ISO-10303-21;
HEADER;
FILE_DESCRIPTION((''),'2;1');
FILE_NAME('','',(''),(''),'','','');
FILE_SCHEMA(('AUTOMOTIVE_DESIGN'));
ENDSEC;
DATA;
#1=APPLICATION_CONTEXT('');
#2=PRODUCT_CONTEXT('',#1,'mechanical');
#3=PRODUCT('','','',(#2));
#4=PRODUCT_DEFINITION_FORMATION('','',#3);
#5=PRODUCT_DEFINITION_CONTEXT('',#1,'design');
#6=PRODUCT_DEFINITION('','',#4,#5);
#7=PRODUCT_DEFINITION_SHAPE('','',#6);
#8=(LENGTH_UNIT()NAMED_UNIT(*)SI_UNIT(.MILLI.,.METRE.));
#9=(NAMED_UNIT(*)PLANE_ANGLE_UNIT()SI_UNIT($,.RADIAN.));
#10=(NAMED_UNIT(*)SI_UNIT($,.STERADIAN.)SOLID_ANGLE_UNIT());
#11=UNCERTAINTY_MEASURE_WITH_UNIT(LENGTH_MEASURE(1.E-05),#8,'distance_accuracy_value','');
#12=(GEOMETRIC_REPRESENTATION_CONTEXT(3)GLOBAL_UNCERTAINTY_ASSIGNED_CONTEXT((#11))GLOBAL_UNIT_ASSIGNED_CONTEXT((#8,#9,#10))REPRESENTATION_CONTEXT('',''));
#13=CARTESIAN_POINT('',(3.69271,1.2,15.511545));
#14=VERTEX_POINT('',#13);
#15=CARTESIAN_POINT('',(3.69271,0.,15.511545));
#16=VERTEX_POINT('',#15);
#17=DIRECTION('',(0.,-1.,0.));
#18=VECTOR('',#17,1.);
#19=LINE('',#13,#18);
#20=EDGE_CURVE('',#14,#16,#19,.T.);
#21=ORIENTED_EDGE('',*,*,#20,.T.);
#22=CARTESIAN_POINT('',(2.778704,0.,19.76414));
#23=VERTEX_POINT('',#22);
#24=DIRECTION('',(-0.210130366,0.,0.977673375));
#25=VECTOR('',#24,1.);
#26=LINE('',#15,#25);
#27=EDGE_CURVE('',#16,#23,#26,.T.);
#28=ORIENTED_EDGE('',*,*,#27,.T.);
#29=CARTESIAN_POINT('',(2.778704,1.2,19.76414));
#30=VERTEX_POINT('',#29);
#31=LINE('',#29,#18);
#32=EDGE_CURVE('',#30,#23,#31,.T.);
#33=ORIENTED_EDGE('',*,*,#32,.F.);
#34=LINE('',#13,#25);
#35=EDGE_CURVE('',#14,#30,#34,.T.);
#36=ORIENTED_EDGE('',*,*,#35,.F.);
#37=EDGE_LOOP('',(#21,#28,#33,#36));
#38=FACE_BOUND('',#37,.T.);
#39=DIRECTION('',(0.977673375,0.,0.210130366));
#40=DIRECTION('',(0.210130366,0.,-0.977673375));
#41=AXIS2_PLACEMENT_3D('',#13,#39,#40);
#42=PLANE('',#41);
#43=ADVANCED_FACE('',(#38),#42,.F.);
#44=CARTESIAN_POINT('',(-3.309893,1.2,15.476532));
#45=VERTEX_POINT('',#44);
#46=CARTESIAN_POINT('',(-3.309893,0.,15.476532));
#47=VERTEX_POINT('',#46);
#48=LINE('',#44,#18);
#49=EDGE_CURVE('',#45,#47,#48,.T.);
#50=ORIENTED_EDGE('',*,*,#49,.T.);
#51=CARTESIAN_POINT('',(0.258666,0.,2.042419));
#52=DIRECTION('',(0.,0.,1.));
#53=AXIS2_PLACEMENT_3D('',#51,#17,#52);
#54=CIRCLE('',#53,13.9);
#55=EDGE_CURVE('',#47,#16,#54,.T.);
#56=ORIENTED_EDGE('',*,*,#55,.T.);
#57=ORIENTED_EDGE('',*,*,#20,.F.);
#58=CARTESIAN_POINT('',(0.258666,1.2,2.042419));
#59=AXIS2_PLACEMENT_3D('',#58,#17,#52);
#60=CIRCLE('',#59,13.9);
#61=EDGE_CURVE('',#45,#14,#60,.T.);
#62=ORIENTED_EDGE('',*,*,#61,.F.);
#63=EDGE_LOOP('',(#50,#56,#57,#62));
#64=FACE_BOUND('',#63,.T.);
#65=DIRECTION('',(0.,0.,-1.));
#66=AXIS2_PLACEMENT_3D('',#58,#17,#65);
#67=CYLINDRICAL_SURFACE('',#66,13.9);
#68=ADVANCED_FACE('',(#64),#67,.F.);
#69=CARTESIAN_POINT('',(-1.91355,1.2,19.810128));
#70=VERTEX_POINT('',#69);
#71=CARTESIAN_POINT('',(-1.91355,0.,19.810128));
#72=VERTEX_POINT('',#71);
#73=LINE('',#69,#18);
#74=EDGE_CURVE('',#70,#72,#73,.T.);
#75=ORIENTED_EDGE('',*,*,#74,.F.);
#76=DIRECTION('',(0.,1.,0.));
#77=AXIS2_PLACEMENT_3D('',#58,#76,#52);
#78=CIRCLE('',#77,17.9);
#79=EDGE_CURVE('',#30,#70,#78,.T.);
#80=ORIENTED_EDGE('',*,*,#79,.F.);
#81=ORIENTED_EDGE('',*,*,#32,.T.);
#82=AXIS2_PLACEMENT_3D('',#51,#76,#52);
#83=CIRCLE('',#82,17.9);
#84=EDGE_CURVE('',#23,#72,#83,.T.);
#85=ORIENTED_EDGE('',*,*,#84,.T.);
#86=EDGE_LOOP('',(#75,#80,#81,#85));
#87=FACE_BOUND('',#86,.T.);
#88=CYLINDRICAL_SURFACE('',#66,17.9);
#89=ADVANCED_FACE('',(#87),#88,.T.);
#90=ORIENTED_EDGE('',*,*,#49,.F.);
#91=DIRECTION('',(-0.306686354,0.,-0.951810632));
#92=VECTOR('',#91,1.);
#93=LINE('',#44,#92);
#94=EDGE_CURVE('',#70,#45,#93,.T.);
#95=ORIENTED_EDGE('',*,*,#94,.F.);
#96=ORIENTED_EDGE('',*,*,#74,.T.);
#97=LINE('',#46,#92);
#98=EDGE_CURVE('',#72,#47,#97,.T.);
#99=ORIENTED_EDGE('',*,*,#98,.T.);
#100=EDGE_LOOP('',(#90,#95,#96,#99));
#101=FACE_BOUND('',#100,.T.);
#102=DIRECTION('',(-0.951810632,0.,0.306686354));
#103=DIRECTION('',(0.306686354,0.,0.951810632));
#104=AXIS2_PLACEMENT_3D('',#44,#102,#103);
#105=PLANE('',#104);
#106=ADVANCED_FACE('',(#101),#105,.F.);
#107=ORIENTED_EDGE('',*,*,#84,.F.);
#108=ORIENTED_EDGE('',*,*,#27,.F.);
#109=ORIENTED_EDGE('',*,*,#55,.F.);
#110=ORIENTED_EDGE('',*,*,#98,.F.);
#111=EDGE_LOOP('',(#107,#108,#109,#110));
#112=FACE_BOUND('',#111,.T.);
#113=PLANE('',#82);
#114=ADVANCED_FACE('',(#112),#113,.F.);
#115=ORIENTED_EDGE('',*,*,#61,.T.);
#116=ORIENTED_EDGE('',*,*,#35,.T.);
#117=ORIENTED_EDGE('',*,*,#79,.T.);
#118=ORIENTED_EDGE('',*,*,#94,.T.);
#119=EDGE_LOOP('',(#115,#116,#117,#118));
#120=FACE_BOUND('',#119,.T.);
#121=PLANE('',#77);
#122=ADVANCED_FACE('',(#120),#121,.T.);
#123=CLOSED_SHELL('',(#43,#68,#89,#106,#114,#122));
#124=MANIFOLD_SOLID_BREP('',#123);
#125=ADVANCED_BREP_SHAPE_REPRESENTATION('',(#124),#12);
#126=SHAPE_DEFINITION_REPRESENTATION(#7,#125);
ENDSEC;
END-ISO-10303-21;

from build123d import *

# Parameters (mm, degrees)
EXTRUDE_1_DEPTH = 1.2


with BuildPart() as part:
    # Эскиз1 → Бобышка-Вытянуть1 (new body)
    with BuildSketch(Plane(origin=(0, 0, 0), x_dir=(1, 0, 0), z_dir=(0, 1, 0))):
        with BuildLine():
            Line((-3.309893458, -15.47653173), (-1.91354972, -19.810127919))
            ThreePointArc((-1.91354972, -19.810127919), (0.083241388, 15.856721352), (2.778703548, -19.764140448))
            Line((2.778703548, -19.764140448), (3.692709753, -15.511544563))
            ThreePointArc((3.692709753, -15.511544563), (0.328164657, 11.85740723), (-3.309893458, -15.47653173))
        make_face()
    extrude(amount=EXTRUDE_1_DEPTH)


solid = part.part
